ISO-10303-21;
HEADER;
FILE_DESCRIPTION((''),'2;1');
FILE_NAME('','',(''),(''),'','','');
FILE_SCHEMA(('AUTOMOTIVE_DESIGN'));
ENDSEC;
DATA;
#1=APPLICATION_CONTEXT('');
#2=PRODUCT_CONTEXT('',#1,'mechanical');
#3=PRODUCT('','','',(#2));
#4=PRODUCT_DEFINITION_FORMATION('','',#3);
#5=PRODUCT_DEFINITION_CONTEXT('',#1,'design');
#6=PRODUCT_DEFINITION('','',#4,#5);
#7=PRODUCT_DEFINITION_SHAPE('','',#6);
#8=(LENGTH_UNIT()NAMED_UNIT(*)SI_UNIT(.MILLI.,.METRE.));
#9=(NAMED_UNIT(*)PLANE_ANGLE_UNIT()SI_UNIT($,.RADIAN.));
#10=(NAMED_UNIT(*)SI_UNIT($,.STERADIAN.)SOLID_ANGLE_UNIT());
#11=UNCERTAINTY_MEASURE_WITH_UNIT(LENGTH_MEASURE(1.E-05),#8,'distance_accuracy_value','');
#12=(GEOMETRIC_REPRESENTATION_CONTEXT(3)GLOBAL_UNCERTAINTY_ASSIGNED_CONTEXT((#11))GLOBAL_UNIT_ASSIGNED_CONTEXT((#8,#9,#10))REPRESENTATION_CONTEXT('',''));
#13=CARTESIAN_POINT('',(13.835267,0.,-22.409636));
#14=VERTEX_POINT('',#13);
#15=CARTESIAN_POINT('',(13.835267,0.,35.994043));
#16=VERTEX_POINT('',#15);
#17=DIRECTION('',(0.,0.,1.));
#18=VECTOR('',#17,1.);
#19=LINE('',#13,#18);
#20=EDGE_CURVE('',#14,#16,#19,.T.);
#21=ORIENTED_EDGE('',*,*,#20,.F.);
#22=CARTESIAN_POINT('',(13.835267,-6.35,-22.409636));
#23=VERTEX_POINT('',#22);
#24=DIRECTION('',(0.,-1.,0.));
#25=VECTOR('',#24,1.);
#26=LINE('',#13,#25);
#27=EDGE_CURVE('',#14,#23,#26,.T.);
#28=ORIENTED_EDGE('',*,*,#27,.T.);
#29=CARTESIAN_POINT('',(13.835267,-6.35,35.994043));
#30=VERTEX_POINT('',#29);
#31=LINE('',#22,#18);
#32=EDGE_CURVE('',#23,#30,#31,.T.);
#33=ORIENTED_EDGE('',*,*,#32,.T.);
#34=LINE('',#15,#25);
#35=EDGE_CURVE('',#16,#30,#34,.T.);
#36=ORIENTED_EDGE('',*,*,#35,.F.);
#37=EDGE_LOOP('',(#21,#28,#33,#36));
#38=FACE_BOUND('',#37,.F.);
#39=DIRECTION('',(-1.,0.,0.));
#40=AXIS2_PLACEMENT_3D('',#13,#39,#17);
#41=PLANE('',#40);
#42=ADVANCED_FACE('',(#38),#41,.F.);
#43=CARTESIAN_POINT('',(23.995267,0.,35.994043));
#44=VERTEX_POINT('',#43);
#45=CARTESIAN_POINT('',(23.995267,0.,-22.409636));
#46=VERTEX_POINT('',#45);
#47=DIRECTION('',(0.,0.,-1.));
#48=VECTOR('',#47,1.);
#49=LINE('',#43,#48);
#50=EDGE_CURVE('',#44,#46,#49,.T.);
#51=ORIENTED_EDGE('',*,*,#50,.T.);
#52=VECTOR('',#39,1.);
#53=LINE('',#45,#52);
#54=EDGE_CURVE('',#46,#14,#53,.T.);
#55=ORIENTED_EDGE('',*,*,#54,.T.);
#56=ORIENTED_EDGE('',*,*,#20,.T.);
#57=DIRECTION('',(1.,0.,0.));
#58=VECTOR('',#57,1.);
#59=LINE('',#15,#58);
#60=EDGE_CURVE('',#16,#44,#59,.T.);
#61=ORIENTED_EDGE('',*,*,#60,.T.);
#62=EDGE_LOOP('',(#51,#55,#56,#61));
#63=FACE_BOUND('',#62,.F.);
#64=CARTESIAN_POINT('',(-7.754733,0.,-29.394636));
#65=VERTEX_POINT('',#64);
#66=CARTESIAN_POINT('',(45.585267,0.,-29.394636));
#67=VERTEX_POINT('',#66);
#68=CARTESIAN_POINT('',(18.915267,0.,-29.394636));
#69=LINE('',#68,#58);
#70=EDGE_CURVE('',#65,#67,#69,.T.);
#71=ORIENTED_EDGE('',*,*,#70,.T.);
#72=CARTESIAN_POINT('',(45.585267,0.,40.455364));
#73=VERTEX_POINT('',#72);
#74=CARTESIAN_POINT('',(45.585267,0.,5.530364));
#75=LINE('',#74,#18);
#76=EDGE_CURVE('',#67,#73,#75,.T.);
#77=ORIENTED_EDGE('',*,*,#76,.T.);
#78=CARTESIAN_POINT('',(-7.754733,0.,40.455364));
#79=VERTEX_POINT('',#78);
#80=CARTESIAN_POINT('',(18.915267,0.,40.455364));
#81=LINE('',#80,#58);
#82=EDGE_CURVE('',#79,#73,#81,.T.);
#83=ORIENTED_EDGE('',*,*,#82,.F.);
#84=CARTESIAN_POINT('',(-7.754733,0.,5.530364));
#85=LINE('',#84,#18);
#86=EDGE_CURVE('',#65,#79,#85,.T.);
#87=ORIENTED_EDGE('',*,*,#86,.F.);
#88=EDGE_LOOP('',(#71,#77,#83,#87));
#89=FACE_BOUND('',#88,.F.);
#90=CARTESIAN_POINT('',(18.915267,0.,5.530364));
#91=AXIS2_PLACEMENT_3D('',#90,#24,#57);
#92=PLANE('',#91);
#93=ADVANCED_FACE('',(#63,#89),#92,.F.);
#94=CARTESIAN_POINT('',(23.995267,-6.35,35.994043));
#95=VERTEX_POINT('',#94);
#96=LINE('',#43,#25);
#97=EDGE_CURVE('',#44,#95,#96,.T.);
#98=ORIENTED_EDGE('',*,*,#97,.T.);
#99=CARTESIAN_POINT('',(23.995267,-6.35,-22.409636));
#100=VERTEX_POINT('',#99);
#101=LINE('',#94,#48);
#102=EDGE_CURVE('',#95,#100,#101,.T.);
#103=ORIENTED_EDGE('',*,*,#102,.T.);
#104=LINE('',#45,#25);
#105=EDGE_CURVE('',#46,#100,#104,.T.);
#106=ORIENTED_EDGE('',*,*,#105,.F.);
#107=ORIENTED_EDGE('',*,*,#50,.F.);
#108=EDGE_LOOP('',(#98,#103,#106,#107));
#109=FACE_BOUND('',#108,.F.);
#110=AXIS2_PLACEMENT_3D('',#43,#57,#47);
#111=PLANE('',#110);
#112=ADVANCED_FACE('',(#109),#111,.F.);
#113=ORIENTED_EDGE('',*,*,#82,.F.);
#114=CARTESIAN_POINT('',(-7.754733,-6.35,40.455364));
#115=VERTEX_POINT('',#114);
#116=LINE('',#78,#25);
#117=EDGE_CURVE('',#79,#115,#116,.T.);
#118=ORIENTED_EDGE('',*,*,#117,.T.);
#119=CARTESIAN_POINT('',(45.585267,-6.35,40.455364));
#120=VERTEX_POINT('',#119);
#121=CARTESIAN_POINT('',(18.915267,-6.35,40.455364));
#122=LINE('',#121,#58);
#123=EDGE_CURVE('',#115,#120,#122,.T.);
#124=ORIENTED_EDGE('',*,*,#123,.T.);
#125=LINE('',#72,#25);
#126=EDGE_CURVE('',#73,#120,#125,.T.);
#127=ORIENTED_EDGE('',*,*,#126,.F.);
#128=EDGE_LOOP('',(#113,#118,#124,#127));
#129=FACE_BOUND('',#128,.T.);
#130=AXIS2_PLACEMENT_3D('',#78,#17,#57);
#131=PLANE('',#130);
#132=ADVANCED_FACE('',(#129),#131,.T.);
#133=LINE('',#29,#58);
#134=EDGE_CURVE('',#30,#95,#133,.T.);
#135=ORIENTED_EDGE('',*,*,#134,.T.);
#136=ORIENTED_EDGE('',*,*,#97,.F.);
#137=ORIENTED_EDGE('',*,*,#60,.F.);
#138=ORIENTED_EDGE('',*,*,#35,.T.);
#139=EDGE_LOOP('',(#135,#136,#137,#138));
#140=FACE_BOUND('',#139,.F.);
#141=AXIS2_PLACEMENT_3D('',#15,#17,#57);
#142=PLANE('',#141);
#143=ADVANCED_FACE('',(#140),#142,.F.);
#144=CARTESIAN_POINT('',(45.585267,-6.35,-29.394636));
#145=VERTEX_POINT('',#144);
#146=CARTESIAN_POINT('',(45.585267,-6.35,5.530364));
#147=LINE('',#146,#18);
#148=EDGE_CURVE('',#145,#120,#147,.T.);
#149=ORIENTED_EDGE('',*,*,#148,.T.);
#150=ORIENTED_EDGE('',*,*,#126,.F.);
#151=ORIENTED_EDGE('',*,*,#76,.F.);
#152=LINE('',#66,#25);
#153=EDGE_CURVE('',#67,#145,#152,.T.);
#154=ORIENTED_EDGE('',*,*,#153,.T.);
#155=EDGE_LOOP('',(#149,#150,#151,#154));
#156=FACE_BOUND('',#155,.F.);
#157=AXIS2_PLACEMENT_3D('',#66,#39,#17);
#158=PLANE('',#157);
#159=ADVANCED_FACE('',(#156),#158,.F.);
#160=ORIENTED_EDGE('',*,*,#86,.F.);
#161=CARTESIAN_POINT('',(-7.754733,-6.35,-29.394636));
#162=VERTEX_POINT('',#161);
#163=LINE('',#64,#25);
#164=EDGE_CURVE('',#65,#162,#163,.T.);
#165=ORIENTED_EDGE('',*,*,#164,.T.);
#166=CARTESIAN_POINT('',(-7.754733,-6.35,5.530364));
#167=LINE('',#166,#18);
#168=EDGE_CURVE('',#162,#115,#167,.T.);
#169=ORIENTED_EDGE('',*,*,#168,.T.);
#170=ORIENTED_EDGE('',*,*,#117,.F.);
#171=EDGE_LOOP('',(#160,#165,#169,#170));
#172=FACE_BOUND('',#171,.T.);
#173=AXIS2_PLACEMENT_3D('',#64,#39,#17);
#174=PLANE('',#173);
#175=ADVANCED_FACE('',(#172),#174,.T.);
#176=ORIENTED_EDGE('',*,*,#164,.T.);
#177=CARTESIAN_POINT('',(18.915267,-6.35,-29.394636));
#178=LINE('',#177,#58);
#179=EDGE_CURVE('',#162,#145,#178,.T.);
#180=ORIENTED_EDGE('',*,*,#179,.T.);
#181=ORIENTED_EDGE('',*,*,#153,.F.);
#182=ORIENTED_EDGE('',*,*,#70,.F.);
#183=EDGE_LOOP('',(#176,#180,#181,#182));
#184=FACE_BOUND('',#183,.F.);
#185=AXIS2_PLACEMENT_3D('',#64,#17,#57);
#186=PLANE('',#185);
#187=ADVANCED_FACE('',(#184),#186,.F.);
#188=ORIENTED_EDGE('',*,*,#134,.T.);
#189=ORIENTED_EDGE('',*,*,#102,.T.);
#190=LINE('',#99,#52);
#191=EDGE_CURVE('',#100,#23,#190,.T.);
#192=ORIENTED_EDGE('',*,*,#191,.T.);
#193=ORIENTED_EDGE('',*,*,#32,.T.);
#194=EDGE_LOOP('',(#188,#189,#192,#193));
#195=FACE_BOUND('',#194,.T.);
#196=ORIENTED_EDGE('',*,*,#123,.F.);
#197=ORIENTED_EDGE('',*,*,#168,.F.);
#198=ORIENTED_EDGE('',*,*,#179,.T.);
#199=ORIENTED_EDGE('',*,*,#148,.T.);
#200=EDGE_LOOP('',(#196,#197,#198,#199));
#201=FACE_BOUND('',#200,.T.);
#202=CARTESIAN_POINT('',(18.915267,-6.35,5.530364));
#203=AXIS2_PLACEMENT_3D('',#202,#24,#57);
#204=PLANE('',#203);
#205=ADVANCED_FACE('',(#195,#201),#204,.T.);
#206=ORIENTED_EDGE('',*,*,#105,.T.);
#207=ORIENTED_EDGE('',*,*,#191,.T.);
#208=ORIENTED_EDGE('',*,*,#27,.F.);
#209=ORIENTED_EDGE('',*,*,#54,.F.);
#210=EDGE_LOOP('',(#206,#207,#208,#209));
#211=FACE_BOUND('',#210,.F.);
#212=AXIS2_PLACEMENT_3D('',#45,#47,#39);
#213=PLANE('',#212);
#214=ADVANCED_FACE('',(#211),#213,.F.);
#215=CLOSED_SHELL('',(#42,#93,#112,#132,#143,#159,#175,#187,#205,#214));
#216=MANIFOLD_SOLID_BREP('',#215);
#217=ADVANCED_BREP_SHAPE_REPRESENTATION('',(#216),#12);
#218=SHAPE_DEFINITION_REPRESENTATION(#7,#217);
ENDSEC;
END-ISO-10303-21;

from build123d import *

# Parameters (mm, degrees)
F0_W     = 53.34
F0_H     = 69.85
F1_DEPTH = 6.35


with BuildPart() as f1:
    # F0 (on Front) → F1 (new body)
    with BuildSketch(Plane.XZ):
        with Locations((18.915267, 5.530364)):
            Rectangle(F0_W, F0_H)
        Polygon((23.995267, 25.834043), (23.995267, 5.530364), (23.995267, -12.249636), (23.995267, -22.409636), (13.835267, -22.409636), (13.835267, -12.249636), (13.835267, 5.530364), (13.835267, 23.310364), (13.835267, 25.834043), (13.835267, 35.994043), (23.995267, 35.994043), align=None, mode=Mode.SUBTRACT)
    extrude(amount=F1_DEPTH)


solid = f1.part
